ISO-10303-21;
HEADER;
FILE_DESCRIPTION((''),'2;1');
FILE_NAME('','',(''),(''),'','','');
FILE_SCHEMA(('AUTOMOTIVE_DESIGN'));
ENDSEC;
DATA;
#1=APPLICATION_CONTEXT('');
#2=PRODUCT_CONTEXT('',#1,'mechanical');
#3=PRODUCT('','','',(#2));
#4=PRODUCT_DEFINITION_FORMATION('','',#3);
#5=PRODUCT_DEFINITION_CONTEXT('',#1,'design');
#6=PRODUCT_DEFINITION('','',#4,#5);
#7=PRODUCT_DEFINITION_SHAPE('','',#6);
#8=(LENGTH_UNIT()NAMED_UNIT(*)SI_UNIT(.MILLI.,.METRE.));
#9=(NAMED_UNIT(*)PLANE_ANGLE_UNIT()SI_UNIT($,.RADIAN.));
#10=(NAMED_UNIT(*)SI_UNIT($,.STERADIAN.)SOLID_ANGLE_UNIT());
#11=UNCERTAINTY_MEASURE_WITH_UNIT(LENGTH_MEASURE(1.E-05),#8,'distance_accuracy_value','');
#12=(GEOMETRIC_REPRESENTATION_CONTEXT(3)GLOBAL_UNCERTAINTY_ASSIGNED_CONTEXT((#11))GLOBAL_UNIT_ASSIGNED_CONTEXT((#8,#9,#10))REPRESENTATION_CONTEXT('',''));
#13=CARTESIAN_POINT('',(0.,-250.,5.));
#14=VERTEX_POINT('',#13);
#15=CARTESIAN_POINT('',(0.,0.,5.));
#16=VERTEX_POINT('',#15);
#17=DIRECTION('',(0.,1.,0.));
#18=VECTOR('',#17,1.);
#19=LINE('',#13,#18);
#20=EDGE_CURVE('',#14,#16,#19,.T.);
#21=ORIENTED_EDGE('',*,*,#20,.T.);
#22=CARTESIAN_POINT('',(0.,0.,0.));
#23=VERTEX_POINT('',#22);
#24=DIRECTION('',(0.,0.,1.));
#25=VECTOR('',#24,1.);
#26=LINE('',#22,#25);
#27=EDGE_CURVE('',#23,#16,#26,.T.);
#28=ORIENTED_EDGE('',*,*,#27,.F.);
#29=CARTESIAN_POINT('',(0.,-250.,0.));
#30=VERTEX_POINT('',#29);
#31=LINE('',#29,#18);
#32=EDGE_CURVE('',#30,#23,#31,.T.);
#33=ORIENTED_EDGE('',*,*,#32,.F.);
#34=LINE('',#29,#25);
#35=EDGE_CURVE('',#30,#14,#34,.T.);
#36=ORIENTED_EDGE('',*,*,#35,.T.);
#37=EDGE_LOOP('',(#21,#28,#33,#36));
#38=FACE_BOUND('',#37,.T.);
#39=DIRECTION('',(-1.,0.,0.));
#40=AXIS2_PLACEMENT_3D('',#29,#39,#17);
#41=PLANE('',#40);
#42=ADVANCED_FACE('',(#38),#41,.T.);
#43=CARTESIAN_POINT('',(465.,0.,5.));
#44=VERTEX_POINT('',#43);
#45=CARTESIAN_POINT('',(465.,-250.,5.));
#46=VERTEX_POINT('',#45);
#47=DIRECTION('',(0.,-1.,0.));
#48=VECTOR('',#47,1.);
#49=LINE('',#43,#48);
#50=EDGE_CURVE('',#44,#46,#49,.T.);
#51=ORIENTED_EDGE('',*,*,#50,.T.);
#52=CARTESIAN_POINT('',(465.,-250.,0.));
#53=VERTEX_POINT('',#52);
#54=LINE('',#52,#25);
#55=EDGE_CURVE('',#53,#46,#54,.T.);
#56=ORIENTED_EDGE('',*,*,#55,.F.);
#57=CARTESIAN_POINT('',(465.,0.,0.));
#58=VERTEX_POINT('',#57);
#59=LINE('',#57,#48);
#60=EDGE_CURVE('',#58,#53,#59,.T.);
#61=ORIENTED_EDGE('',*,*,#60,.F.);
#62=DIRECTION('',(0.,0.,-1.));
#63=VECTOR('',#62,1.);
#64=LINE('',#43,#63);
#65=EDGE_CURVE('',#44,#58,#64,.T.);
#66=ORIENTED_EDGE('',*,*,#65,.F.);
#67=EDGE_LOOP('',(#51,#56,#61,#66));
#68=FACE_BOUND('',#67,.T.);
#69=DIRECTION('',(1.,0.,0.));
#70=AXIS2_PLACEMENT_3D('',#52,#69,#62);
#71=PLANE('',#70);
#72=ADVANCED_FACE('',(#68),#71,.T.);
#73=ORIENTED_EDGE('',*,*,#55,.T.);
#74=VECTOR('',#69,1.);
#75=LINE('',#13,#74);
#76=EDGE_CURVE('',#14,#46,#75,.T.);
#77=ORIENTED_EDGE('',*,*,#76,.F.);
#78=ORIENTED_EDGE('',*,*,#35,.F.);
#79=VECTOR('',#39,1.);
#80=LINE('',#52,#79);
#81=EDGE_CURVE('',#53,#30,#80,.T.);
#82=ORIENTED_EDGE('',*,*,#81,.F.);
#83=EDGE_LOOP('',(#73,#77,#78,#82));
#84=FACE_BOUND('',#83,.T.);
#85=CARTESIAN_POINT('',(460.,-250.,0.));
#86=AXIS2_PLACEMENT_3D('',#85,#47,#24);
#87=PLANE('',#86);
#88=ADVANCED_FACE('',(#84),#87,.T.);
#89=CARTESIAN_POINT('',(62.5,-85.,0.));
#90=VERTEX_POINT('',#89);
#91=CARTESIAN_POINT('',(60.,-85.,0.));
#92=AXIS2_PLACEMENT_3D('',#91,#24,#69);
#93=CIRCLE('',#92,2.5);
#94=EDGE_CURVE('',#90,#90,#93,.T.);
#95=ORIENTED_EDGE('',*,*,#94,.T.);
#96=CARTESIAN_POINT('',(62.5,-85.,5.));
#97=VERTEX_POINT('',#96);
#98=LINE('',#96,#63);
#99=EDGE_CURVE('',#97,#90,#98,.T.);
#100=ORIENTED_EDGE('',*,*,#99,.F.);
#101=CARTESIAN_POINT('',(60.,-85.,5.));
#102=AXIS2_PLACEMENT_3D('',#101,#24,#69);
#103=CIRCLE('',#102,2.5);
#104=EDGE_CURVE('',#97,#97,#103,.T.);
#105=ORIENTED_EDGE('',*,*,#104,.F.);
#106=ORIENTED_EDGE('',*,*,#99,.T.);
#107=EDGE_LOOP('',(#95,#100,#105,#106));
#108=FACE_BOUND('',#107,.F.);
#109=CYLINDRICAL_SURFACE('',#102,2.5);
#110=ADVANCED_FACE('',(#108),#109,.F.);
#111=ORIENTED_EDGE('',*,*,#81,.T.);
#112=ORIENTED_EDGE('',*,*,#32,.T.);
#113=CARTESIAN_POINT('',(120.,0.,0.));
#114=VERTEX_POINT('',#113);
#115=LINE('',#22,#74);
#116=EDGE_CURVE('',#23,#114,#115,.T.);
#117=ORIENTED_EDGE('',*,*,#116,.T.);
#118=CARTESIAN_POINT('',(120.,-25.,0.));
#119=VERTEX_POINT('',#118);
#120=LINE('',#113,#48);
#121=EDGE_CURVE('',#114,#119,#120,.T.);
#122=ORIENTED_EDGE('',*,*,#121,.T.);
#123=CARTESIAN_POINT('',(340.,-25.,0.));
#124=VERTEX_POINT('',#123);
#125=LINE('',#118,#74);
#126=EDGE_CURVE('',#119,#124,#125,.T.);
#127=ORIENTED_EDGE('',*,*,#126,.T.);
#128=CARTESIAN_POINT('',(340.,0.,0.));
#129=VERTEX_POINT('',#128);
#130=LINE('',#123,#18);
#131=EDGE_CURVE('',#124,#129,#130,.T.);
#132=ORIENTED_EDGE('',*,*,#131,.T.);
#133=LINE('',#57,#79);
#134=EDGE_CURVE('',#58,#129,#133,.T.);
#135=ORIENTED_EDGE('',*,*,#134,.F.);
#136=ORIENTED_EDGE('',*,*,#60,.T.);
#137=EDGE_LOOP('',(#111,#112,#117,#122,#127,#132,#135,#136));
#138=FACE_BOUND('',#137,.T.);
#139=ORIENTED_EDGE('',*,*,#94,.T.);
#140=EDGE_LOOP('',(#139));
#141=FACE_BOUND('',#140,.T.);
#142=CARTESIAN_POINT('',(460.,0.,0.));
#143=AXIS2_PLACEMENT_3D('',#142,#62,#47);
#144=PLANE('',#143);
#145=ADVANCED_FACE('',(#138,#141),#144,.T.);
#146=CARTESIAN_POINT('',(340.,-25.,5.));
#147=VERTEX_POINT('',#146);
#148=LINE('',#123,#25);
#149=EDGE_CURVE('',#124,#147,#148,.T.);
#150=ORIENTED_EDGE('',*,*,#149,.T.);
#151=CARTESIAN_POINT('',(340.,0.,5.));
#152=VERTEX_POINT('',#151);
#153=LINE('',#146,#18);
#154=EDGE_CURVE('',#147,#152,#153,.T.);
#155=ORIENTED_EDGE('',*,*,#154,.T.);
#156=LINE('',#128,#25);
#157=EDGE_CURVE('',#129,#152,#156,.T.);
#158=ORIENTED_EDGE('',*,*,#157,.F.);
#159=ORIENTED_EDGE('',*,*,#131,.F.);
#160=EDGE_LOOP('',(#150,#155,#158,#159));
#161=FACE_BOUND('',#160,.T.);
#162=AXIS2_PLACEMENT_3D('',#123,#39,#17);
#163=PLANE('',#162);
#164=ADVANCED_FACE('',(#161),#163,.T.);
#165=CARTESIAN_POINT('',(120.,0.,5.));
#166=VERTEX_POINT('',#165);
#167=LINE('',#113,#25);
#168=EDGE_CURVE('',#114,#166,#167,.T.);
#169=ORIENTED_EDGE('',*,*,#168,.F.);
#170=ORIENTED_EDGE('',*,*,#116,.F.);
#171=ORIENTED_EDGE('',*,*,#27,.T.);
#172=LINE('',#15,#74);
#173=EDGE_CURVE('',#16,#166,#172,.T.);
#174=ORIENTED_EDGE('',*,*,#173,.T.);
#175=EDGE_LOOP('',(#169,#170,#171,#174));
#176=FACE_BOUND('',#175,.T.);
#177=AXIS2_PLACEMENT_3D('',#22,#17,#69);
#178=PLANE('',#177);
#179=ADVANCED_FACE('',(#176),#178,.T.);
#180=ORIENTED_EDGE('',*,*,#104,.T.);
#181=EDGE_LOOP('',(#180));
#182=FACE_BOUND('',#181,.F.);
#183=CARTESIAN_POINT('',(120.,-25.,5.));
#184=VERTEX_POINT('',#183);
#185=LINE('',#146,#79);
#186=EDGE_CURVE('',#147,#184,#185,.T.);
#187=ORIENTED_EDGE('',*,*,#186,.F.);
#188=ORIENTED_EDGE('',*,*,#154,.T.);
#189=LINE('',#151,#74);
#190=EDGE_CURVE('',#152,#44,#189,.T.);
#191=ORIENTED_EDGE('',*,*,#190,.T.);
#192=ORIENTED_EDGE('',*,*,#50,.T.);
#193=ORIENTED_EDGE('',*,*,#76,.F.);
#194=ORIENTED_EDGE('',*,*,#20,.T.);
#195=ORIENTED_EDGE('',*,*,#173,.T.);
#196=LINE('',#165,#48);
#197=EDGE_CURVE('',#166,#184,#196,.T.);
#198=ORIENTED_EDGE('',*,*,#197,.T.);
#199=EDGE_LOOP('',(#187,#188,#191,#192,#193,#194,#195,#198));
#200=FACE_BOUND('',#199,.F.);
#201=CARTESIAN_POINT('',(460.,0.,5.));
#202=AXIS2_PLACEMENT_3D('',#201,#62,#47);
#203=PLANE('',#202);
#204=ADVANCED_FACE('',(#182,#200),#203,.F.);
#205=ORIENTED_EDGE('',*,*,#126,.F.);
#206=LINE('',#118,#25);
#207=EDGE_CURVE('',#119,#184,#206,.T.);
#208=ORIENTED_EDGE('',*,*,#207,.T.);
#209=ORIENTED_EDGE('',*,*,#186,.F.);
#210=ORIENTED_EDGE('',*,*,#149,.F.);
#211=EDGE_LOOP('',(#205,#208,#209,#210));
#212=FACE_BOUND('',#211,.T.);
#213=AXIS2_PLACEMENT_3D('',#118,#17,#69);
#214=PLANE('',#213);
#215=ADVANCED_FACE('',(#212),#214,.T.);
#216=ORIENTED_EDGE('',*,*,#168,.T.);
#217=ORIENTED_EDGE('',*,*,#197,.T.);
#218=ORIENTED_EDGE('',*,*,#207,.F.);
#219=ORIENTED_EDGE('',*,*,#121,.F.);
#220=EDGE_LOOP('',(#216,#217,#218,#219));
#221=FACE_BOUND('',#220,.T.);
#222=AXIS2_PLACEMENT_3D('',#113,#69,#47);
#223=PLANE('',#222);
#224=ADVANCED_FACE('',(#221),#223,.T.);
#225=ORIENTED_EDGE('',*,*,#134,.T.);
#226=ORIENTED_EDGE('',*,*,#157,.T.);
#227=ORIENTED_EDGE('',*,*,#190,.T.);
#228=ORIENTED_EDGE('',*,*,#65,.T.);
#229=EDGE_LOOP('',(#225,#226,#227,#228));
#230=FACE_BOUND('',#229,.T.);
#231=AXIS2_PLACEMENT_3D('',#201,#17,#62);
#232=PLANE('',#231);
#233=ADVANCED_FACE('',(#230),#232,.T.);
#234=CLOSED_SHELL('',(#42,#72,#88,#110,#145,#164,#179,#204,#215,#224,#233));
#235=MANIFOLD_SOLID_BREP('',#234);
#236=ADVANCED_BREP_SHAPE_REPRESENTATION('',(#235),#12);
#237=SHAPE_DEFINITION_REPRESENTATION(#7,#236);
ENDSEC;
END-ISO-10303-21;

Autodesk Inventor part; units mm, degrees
ref_plane "YZ Plane" through (0, 0, 0) normal (1, 0, 0) x (0, 1, 0)
ref_plane "XZ Plane" through (0, 0, 0) normal (0, 1, 0) x (-1, 0, 0)
ref_plane "XY Plane" through (0, 0, 0) normal (0, 0, 1) x (1, 0, 0)
sketch "Sketch1" plane through (0, 0, 0) normal (0, 0, 1) x (1, 0, 0)
  line L0 (0, 0) -> (460, 0)
  line L1 (460, 0) -> (460, -250)
  line L2 (460, -250) -> (0, -250)
  line L3 (0, -250) -> (0, 0)
  line L4 (0, 0) -> (120, 0)
  line L5 (120, 0) -> (120, -25)
  line L6 (120, -25) -> (320, -25)
  line L7 (320, -25) -> (340, -25)
  line L8 (340, -25) -> (340, 0)
  line L9 (340, 0) -> (460, 0)
extrude "Extrusion1" add sketch "Sketch1" along normal blind 5 contours L0 L5 L6 L7 L8 L1 L2 L3
sketch "Sketch2" plane through (0, 0, 5) normal (0, 0, 1) x (1, 0, 0)
  circle A0 centre (60, -85) radius 2.5
  point P0 (0, 0)
extrude "Extrusion2" cut sketch "Sketch2" against normal through all
sketch "Sketch3" plane through (460, -250, 0) normal (1, 0, 0) x (0, 0, -1)
  line L0 (-5, 250) -> (-5, 0) projected
  line L1 (0, 0) -> (-5, 0) projected
  line L2 (-5, 250) -> (0, 250)
  line L3 (0, 250) -> (0, 0)
  line L4 (0, 0) -> (-5, 0)
  line L5 (-5, 0) -> (-5, 250)
extrude "Extrusion3" add sketch "Sketch3" along normal blind 5
sketch "Sketch4" plane through (0, 0, 5) normal (0, 0, 1) x (1, 0, 0)
  point P0 (0, 0)
sketch "Sketch5" plane through (465, -250, 0) normal (1, 0, 0) x (0, 0, -1)
  line L0 (0, 250) -> (-5, 250) projected
  line L1 (0, 250) -> (0, 0) projected
  line L2 (-5, 250) -> (0, 250)
  line L3 (0, 250) -> (0, 0)
  line L4 (0, 0) -> (-5, 0)
  line L5 (-5, 0) -> (-5, 250)
properties part number "new back support 2"
